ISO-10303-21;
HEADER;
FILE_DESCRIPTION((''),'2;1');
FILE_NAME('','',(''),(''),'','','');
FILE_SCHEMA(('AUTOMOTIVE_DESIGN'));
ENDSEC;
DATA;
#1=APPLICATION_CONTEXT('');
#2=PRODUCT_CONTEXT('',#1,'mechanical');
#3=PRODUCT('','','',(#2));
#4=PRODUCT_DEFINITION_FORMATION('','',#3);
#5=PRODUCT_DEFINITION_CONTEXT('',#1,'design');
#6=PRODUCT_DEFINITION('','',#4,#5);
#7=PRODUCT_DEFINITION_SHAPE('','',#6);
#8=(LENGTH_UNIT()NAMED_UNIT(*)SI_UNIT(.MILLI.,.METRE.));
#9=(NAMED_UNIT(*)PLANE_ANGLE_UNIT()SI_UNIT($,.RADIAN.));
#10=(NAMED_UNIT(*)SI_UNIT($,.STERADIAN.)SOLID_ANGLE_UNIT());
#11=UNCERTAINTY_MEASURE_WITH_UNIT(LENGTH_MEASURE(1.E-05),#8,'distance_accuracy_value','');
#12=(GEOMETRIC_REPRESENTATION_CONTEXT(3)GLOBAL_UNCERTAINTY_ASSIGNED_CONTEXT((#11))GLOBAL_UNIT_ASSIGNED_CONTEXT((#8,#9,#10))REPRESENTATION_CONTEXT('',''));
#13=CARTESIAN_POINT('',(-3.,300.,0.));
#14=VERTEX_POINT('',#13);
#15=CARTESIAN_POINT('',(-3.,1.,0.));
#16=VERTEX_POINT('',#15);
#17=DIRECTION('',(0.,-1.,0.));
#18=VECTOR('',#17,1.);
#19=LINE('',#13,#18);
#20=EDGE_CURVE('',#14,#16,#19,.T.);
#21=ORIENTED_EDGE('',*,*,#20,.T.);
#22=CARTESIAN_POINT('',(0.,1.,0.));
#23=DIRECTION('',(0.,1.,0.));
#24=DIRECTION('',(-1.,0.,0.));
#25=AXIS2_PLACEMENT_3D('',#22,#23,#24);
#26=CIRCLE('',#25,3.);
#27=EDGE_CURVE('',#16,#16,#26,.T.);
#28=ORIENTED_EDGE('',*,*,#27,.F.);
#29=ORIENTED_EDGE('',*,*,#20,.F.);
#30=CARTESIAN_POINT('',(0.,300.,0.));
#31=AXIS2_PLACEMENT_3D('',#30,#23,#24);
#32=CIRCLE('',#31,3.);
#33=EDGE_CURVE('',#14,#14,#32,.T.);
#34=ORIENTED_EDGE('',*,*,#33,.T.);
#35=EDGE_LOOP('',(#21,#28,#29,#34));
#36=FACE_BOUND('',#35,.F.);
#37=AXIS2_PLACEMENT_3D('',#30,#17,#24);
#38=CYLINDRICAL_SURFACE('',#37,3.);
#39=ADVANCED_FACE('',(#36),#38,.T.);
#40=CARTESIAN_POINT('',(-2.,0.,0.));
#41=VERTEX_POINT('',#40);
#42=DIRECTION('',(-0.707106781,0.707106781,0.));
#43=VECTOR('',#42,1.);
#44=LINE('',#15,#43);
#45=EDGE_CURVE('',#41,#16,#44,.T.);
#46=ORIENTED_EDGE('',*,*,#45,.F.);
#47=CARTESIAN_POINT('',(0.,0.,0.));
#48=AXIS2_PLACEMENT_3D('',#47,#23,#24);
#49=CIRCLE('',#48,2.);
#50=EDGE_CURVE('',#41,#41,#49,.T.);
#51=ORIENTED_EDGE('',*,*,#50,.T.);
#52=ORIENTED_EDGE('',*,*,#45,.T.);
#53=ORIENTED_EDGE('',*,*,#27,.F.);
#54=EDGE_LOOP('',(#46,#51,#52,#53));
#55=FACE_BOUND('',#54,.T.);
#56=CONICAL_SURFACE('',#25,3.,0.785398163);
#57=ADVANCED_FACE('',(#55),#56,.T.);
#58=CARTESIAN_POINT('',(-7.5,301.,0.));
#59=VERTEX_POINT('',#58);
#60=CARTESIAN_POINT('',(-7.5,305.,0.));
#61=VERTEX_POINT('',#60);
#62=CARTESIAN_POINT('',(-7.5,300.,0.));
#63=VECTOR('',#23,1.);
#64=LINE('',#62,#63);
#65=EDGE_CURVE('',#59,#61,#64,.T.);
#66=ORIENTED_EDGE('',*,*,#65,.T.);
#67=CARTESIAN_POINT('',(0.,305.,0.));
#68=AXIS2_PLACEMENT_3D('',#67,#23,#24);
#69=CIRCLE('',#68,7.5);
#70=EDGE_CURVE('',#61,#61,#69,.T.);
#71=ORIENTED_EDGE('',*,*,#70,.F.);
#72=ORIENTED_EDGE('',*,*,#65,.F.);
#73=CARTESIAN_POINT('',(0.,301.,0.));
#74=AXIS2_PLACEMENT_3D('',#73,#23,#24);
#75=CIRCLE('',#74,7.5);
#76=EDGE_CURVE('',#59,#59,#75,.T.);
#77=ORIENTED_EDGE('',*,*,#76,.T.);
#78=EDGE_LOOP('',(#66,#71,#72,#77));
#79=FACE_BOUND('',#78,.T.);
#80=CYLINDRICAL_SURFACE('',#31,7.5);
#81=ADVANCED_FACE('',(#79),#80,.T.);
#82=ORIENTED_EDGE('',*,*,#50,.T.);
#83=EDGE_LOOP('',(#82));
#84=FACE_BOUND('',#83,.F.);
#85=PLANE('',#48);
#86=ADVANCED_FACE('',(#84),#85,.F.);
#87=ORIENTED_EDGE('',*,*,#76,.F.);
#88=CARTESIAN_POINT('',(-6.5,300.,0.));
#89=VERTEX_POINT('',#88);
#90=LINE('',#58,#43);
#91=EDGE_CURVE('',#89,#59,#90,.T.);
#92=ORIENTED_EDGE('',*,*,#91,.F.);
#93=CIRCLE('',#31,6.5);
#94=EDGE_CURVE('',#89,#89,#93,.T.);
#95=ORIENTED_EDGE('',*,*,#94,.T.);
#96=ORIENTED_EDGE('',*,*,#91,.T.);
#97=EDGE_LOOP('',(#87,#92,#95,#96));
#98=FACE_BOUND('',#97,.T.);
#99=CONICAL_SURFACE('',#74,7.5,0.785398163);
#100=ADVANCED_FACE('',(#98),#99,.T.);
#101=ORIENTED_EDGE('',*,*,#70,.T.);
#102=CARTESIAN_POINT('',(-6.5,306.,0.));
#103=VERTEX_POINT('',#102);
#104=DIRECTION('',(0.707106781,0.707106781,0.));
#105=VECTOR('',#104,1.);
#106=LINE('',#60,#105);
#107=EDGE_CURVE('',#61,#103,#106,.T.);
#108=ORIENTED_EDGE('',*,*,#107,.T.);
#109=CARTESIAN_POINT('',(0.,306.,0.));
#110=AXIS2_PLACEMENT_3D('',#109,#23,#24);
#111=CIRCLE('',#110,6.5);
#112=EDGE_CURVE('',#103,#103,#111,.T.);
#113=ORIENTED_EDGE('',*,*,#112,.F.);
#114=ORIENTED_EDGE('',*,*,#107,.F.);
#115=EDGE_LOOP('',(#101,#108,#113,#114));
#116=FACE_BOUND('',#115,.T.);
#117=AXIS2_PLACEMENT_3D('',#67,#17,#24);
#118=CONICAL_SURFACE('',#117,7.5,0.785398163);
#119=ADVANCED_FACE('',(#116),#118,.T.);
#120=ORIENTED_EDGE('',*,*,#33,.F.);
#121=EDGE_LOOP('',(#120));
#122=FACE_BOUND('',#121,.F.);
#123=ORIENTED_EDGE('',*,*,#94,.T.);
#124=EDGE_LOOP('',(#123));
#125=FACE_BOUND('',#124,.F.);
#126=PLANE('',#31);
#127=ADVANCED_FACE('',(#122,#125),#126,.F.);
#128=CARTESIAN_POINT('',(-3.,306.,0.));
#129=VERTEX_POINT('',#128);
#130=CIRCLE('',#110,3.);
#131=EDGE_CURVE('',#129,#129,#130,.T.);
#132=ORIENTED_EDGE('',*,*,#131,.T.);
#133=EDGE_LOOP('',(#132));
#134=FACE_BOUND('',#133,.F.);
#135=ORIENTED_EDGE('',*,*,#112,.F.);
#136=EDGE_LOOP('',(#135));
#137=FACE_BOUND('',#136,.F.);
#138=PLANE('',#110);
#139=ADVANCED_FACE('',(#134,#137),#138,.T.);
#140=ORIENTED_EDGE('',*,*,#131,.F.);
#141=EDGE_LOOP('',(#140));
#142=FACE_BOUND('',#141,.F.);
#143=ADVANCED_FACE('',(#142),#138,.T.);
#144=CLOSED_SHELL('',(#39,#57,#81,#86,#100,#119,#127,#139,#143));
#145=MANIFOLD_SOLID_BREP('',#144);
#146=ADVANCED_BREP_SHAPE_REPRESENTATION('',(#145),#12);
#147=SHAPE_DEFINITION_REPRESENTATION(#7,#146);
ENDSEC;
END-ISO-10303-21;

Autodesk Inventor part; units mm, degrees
ref_plane "YZ Plane" through (0, 0, 0) normal (1, 0, 0) x (0, 1, 0)
ref_plane "XZ Plane" through (0, 0, 0) normal (0, 1, 0) x (-1, 0, 0)
ref_plane "XY Plane" through (0, 0, 0) normal (0, 0, 1) x (1, 0, 0)
sketch "Эскиз1" plane through (0, 0, 0) normal (0, 0, 1) x (1, 0, 0)
  line L0 (-3, 300) -> (-3, 0)
  line L1 (-3, 0) -> (3, 0)
  line L2 (-3, 306) -> (-7.5, 306)
  line L3 (-7.5, 300) -> (-7.5, 306)
  line L4 (-7.5, 300) -> (-3, 300)
  line L5 (0, 0) -> (0, 306)
  line L6 (0, 306) -> (-3, 306)
  point P0 (0, 300)
  dimension "d1" = 3
  dimension "d4" = 7.5
  dimension "d6" = 6
  dimension "d8" = 300
revolve "Вращение1" add sketch "Эскиз1" angle 360 about axis through (0, 0, 0) along (0, 1, 0)
chamfer "Фаска1" distance 1 angle 45 1 edges at (3, 0, 0)
chamfer "Фаска2" distance 1 angle 45 2 edges at (7.5, 306, 0) (7.5, 300, 0)
thread "Резьба1" size "M6x1" class "6g" standard "ISO Metric profile" length 18
equation "\"d1\" = 0.5 * d0"
equation "\"d4\" = 0.5 * d3"
equation "\"d0\" = 6"
equation "\"d3\" = 15"
properties part number "Шуп масло"
